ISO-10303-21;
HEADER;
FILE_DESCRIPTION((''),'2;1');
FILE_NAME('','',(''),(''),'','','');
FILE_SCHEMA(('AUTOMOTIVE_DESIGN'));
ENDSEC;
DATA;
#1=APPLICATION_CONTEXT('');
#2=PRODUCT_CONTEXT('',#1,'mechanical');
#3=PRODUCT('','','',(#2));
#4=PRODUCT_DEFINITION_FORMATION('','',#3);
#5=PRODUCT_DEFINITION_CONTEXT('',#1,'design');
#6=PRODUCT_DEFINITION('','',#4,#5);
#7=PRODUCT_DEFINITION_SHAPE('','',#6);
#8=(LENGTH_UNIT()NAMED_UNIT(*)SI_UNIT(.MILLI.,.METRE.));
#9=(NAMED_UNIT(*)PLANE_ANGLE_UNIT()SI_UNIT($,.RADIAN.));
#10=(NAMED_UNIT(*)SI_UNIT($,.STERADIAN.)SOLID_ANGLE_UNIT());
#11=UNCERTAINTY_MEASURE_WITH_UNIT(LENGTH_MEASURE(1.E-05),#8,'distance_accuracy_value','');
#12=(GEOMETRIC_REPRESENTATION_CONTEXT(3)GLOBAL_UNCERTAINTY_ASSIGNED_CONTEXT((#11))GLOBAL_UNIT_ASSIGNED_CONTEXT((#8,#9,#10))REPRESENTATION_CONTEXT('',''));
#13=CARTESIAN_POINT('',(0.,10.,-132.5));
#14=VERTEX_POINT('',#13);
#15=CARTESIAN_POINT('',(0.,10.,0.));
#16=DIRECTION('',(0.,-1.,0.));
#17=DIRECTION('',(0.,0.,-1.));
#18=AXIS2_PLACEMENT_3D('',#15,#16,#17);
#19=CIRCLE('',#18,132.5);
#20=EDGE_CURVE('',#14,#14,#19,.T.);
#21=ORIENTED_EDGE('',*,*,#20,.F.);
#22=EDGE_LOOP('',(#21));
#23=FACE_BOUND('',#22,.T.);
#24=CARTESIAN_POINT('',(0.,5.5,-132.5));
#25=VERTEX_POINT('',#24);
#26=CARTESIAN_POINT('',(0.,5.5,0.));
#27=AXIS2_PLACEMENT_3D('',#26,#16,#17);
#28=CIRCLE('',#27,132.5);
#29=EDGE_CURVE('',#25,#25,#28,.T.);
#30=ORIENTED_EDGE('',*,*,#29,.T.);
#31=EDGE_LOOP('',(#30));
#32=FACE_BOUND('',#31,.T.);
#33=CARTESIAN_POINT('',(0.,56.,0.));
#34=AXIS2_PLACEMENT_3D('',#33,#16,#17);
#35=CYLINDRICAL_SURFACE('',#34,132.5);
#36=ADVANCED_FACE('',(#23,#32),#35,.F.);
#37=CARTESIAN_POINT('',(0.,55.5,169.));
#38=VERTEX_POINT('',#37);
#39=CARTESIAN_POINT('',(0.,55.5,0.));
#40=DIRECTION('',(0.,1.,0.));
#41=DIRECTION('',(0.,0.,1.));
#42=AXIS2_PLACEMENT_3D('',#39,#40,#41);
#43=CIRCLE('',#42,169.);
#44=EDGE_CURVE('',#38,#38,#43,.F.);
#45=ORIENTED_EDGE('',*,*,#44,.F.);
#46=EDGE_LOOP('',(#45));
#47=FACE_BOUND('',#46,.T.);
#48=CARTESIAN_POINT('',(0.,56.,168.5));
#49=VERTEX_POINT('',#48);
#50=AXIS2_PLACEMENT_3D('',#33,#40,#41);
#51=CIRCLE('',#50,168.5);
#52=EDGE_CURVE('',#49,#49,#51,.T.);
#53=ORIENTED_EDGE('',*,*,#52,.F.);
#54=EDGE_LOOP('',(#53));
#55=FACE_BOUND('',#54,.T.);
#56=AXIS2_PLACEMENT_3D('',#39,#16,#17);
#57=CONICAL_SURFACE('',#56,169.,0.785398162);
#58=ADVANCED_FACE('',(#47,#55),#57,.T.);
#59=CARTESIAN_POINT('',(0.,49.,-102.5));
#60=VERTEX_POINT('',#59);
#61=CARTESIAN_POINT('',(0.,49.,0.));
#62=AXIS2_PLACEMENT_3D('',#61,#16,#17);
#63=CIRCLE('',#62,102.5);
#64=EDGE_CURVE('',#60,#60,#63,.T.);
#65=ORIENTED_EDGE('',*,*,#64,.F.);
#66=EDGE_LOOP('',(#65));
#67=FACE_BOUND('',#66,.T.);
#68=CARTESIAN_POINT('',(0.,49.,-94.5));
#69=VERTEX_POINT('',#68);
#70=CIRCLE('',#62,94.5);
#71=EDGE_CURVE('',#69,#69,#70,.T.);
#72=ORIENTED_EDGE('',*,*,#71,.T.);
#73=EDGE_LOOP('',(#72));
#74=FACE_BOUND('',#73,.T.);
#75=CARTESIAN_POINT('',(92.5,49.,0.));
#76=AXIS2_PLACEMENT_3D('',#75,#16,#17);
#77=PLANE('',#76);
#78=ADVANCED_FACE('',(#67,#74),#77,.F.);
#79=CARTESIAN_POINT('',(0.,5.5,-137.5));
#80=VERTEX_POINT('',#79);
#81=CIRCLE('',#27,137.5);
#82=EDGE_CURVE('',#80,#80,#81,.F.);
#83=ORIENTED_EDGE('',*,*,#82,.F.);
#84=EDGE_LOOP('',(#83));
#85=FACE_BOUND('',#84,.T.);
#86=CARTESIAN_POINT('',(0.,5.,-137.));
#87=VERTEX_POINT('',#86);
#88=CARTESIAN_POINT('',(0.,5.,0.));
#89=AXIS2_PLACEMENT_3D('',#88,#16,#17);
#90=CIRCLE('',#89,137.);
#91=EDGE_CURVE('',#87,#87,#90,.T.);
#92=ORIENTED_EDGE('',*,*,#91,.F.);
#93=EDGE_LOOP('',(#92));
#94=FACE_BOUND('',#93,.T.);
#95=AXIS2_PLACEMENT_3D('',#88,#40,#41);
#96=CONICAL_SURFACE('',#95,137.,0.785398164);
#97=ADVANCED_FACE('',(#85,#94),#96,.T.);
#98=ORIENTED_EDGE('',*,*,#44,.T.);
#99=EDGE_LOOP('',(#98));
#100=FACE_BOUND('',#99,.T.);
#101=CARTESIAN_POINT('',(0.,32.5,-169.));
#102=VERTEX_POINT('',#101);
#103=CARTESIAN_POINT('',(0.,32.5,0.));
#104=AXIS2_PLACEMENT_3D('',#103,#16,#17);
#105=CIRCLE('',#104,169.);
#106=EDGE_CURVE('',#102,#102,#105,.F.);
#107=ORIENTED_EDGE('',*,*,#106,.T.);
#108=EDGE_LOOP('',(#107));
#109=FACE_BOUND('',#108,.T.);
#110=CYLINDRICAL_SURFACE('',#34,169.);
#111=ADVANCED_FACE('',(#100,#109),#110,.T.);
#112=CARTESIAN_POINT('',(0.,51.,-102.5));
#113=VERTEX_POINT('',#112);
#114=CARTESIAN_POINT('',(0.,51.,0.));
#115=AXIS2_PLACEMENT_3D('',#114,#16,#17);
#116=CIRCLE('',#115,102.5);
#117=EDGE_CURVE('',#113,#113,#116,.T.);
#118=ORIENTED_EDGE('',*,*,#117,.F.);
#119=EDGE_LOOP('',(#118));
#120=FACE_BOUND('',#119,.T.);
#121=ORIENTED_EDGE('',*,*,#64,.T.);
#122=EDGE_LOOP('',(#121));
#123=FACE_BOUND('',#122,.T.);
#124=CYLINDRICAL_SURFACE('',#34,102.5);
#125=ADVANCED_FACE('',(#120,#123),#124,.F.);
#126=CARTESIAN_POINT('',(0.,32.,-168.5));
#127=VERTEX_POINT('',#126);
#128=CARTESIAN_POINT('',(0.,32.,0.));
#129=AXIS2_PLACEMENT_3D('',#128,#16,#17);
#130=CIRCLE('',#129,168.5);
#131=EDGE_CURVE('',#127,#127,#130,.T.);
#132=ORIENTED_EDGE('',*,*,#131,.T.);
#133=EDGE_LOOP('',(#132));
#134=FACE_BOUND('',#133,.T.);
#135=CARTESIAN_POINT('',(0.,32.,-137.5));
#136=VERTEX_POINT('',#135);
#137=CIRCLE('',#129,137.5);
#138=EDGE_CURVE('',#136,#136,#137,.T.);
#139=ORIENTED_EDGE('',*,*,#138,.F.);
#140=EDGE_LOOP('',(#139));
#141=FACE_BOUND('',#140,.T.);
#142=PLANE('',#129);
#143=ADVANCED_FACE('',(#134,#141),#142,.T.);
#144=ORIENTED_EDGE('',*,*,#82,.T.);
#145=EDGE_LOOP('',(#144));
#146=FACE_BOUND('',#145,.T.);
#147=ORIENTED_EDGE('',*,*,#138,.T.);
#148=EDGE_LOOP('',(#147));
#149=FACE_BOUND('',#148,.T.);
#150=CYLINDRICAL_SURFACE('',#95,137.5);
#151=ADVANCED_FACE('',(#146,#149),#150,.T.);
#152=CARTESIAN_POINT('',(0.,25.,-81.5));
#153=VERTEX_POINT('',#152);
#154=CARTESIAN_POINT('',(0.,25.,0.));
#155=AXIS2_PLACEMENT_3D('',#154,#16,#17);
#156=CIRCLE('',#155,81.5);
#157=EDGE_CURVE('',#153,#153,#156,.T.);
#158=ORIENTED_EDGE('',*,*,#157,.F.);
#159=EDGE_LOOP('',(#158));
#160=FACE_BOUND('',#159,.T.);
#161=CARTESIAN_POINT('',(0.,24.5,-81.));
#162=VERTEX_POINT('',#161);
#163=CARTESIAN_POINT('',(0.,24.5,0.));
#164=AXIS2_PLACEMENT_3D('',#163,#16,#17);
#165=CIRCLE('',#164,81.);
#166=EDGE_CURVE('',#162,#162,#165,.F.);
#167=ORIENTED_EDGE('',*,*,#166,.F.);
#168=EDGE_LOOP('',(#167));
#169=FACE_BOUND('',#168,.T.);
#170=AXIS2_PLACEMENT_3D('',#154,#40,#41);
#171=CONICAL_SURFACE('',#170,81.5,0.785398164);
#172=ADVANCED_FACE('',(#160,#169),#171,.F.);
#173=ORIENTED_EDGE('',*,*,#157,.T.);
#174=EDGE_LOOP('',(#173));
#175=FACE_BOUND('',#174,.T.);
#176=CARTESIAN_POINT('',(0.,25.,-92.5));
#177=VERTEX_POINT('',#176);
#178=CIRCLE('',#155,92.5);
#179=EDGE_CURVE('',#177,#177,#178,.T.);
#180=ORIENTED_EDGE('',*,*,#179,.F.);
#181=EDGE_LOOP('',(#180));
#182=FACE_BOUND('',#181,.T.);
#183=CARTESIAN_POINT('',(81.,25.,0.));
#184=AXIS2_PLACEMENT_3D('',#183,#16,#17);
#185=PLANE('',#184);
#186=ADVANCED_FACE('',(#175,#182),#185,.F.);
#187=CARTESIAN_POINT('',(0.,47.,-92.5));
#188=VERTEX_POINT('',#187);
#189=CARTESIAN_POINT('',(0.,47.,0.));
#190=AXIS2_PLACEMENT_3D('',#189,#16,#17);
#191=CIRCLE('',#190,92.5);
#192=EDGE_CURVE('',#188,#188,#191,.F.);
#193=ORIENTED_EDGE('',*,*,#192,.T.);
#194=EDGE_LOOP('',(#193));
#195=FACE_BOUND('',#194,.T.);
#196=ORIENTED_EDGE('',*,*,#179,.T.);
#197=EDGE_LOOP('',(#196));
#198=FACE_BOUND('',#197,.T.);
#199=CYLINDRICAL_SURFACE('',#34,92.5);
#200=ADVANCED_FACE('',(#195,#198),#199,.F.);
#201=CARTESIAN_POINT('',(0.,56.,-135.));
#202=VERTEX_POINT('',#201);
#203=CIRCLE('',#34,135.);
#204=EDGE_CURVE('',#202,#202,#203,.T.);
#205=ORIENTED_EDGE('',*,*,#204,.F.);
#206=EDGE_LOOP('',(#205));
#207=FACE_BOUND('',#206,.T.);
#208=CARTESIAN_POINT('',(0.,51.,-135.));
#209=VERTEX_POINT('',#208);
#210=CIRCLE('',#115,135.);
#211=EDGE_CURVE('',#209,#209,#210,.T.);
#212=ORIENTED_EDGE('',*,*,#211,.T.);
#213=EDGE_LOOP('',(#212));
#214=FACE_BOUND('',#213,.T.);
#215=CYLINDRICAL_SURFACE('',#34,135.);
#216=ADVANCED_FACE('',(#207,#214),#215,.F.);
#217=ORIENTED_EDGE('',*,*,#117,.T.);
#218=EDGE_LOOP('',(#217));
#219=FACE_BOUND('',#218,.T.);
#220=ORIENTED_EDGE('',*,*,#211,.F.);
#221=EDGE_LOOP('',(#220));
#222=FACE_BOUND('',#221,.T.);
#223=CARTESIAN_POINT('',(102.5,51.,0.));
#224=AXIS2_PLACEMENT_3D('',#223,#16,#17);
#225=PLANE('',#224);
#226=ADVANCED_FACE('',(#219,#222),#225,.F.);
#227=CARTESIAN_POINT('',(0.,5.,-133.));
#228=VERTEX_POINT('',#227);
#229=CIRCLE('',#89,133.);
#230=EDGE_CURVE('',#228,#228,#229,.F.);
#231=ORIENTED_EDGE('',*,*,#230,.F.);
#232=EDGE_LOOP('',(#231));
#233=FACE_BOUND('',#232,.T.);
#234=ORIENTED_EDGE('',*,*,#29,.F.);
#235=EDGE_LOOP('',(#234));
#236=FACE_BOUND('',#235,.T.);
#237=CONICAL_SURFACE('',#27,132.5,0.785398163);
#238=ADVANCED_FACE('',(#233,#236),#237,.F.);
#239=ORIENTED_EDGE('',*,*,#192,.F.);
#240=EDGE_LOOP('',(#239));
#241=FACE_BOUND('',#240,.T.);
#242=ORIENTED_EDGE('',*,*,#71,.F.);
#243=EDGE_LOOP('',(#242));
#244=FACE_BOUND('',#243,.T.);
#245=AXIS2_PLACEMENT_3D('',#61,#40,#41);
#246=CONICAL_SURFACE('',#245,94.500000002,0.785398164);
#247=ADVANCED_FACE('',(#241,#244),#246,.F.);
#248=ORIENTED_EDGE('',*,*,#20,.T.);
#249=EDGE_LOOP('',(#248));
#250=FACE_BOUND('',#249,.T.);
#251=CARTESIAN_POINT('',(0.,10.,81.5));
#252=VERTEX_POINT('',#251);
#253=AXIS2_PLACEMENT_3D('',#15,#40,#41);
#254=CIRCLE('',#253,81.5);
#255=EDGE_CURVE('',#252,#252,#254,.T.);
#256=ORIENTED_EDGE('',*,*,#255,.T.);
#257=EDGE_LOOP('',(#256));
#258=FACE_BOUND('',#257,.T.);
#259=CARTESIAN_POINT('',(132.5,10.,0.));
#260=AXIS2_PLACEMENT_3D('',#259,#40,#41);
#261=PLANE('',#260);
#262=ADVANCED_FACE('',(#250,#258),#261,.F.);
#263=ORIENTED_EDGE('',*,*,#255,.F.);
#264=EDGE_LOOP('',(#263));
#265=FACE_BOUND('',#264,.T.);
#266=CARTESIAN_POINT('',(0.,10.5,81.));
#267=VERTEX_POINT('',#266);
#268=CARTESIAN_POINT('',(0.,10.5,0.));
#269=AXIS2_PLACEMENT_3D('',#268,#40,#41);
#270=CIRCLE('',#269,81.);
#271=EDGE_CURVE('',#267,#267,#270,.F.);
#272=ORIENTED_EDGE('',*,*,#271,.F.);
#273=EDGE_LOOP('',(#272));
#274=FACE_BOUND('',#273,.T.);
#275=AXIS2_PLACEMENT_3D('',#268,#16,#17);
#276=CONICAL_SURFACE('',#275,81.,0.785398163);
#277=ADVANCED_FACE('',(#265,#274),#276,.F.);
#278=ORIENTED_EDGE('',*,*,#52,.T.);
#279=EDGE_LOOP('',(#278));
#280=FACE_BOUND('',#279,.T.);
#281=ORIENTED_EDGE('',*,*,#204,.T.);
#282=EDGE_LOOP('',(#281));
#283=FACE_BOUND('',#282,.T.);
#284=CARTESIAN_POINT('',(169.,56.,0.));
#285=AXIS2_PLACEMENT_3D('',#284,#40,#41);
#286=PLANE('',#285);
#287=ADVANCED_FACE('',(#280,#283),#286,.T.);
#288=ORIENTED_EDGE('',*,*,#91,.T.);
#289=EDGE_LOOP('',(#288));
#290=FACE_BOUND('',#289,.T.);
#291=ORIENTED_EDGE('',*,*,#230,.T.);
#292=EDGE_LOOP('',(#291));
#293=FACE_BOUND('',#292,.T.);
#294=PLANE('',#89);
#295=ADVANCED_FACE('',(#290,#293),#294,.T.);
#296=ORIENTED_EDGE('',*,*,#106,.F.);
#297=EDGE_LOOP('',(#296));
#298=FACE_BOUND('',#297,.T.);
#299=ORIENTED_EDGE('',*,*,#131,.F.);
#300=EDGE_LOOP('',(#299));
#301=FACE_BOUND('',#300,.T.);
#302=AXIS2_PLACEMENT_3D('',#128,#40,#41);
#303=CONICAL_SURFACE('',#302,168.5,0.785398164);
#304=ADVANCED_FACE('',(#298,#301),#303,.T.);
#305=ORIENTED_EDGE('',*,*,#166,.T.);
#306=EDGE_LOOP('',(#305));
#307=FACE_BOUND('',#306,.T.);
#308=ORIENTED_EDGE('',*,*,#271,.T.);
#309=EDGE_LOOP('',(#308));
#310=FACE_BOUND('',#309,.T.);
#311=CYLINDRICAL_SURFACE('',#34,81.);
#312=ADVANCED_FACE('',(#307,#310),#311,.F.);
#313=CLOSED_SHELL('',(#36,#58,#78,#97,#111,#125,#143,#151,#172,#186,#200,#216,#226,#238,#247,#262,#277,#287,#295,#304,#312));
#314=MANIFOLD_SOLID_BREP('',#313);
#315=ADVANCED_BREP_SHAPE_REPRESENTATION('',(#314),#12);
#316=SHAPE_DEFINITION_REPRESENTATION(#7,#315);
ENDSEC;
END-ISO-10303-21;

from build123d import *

# Parameters (mm, degrees)
SKETCH_1_W      = 169
SKETCH_1_H      = 24
SKETCH_2_R      = 137.5
EXTRUDE_1_DEPTH = 27
CHAMFER_1_SIZE  = 0.5
CHAMFER_2_SIZE  = 1.999999998
CHAMFER_2_SIZE2 = 2.000000002


with BuildPart() as part:
    # 草圖1 → 旋轉1 (revolve)
    with BuildSketch(Plane.XY, mode=Mode.PRIVATE) as revolve_1_sk:
        with Locations((84.5, 44)):
            Rectangle(SKETCH_1_W, SKETCH_1_H)
    revolve(revolve_1_sk.sketch.rotate(Axis((0, 56, 0), (0, -1, 0)), 270), axis=Axis((0, 56, 0), (0, -1, 0)))

    # 草圖2 → 填料-伸長1 (add)
    with BuildSketch(Plane.XZ.offset(-32)):
        with Locations(Location((0, 0, 0), (0, 0, 270))):
            Circle(SKETCH_2_R)
    extrude(amount=EXTRUDE_1_DEPTH)

    # 草圖3 → 除料-旋轉1 (revolve, cut)
    with BuildSketch(Plane.XY, mode=Mode.PRIVATE) as cut_revolve_1_sk:
        Polygon((135, 56), (0, 56), (0, 5), (132.5, 5), (132.5, 10), (81, 10), (81, 25), (92.5, 25), (92.5, 49), (102.5, 49), (102.5, 51), (135, 51), align=None)
    revolve(cut_revolve_1_sk.sketch.rotate(Axis((0, 56, 0), (0, -1, 0)), 270), axis=Axis((0, 56, 0), (0, -1, 0)), mode=Mode.SUBTRACT)

    # 導角1
    chamfer_1_edges = [part.edges().sort_by_distance(p)[0] for p in [
        (0, 5, 137.5),
        (0, 5, 132.5),
        (0, 10, 81),
        (0, 25, 81),
        (0, 32, 169),
        (0, 56, 169),
    ]]
    chamfer(chamfer_1_edges, length=CHAMFER_1_SIZE)

    # 導角2
    chamfer_2_edges = [part.edges().sort_by_distance(p)[0] for p in [
        (0, 49, 92.5),
    ]]
    chamfer_2_side = [part.faces().sort_by_distance(p)[0] for p in [
        (0, 49, 95.399137803),
    ]]
    chamfer(chamfer_2_edges, length=CHAMFER_2_SIZE, length2=CHAMFER_2_SIZE2, reference=chamfer_2_side[0])


solid = part.part
